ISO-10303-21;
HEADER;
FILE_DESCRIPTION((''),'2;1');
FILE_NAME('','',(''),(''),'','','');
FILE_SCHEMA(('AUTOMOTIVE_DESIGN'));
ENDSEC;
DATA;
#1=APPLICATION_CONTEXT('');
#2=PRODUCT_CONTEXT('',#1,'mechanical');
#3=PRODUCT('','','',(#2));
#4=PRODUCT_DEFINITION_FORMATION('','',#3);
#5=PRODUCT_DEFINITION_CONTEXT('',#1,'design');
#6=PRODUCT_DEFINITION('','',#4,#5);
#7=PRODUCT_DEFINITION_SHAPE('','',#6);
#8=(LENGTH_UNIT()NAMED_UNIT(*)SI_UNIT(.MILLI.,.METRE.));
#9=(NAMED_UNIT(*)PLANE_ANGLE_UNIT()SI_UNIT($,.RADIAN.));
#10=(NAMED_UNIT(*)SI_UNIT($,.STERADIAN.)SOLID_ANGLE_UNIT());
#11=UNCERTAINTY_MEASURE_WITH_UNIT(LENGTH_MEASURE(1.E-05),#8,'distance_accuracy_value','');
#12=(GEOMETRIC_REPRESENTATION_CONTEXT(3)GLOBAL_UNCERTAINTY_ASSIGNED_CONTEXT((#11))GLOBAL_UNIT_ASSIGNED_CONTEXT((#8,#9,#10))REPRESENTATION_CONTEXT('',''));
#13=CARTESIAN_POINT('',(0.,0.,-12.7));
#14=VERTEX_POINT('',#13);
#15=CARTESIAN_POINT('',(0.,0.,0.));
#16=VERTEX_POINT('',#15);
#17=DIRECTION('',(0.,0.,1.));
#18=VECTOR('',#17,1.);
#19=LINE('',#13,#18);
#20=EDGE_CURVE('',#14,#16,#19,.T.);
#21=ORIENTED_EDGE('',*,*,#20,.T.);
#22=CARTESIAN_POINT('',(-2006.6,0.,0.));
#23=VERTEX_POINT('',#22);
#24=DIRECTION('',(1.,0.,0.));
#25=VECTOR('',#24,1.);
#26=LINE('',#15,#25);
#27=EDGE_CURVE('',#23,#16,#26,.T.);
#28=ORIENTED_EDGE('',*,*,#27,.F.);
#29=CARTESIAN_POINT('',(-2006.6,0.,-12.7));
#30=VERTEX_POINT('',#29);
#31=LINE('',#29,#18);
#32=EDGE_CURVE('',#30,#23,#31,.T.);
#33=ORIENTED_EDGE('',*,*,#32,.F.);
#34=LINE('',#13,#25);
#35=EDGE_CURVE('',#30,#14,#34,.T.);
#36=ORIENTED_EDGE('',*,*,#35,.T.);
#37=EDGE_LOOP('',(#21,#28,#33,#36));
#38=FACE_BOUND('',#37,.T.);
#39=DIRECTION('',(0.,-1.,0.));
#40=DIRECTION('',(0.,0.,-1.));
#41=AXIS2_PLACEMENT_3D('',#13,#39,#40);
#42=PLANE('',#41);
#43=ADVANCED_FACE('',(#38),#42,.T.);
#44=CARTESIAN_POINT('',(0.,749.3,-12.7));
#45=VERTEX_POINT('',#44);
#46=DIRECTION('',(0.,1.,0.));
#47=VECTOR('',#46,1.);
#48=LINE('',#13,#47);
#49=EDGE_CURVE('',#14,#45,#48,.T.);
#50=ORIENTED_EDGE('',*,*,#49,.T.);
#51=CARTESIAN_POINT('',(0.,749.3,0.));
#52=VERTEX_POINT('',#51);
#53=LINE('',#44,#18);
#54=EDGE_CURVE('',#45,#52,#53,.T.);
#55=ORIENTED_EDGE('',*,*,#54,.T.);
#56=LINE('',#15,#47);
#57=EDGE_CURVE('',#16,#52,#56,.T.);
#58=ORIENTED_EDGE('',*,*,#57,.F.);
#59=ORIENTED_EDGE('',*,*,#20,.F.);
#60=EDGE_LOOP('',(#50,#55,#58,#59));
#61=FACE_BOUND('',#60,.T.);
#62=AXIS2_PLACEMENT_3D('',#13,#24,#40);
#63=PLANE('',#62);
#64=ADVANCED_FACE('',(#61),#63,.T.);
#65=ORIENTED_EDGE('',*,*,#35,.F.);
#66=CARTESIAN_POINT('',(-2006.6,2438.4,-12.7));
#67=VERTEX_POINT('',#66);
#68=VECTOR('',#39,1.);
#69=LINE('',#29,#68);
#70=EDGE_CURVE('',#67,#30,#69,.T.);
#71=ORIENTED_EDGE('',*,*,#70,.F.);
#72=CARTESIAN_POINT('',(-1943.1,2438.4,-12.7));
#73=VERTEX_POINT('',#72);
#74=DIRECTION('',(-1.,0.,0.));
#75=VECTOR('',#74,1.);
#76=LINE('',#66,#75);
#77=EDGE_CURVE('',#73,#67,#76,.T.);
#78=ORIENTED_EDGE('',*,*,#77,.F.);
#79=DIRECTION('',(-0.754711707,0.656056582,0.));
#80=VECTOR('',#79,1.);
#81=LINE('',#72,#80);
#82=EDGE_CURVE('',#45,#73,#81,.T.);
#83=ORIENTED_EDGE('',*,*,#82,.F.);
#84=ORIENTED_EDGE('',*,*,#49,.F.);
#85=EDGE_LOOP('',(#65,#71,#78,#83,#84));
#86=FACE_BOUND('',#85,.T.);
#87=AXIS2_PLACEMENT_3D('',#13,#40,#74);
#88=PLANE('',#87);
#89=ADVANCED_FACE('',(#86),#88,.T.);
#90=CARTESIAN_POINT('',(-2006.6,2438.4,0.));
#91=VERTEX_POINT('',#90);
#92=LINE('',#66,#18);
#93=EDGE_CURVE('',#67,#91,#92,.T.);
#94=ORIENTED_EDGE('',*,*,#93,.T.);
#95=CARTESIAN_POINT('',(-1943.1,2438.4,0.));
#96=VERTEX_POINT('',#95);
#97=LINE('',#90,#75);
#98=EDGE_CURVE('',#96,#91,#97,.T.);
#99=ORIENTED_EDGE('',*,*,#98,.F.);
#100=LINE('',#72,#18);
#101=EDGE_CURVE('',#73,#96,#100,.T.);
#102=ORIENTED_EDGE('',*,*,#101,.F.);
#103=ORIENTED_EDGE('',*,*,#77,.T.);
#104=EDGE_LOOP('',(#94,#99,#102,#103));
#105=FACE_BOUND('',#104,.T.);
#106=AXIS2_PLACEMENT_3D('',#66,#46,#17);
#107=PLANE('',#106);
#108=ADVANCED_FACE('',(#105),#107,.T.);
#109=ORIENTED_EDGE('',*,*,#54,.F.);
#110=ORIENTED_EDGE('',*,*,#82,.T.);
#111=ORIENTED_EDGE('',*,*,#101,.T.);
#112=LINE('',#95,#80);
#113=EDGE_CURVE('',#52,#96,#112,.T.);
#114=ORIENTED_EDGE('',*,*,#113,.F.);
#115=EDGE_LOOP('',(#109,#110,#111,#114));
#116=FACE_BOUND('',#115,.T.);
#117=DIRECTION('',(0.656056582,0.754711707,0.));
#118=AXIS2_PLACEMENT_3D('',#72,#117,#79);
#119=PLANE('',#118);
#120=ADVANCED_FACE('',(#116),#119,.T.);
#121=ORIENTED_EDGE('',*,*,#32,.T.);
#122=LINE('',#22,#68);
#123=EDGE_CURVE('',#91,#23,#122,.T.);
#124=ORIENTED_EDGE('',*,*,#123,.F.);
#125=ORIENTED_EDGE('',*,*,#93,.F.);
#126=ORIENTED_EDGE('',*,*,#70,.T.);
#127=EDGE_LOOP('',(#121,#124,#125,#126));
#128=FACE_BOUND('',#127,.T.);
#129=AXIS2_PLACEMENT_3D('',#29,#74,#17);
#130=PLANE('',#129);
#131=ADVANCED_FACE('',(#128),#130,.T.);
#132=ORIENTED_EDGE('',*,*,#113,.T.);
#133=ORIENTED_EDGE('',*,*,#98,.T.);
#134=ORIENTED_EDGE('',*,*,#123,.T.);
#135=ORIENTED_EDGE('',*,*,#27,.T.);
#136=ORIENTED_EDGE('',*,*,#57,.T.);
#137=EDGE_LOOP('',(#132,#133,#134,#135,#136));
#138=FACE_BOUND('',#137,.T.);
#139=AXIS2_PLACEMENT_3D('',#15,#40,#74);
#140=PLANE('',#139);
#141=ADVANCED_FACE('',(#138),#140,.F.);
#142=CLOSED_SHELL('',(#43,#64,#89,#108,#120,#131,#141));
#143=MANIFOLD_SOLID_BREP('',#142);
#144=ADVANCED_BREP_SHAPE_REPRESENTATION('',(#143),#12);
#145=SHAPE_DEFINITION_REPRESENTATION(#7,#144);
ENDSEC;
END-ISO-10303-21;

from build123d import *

# Parameters (mm, degrees)
BOSS_EXTRUDE1_DEPTH = 12.7


with BuildPart() as part:
    # Sketch1 → Boss-Extrude1 (new body)
    with BuildSketch(Plane.XY):
        Polygon((0, 0), (-2006.6, 0), (-2006.6, 2438.4), (-1943.1, 2438.4), (0, 749.3), align=None)
    extrude(amount=-BOSS_EXTRUDE1_DEPTH)


solid = part.part
